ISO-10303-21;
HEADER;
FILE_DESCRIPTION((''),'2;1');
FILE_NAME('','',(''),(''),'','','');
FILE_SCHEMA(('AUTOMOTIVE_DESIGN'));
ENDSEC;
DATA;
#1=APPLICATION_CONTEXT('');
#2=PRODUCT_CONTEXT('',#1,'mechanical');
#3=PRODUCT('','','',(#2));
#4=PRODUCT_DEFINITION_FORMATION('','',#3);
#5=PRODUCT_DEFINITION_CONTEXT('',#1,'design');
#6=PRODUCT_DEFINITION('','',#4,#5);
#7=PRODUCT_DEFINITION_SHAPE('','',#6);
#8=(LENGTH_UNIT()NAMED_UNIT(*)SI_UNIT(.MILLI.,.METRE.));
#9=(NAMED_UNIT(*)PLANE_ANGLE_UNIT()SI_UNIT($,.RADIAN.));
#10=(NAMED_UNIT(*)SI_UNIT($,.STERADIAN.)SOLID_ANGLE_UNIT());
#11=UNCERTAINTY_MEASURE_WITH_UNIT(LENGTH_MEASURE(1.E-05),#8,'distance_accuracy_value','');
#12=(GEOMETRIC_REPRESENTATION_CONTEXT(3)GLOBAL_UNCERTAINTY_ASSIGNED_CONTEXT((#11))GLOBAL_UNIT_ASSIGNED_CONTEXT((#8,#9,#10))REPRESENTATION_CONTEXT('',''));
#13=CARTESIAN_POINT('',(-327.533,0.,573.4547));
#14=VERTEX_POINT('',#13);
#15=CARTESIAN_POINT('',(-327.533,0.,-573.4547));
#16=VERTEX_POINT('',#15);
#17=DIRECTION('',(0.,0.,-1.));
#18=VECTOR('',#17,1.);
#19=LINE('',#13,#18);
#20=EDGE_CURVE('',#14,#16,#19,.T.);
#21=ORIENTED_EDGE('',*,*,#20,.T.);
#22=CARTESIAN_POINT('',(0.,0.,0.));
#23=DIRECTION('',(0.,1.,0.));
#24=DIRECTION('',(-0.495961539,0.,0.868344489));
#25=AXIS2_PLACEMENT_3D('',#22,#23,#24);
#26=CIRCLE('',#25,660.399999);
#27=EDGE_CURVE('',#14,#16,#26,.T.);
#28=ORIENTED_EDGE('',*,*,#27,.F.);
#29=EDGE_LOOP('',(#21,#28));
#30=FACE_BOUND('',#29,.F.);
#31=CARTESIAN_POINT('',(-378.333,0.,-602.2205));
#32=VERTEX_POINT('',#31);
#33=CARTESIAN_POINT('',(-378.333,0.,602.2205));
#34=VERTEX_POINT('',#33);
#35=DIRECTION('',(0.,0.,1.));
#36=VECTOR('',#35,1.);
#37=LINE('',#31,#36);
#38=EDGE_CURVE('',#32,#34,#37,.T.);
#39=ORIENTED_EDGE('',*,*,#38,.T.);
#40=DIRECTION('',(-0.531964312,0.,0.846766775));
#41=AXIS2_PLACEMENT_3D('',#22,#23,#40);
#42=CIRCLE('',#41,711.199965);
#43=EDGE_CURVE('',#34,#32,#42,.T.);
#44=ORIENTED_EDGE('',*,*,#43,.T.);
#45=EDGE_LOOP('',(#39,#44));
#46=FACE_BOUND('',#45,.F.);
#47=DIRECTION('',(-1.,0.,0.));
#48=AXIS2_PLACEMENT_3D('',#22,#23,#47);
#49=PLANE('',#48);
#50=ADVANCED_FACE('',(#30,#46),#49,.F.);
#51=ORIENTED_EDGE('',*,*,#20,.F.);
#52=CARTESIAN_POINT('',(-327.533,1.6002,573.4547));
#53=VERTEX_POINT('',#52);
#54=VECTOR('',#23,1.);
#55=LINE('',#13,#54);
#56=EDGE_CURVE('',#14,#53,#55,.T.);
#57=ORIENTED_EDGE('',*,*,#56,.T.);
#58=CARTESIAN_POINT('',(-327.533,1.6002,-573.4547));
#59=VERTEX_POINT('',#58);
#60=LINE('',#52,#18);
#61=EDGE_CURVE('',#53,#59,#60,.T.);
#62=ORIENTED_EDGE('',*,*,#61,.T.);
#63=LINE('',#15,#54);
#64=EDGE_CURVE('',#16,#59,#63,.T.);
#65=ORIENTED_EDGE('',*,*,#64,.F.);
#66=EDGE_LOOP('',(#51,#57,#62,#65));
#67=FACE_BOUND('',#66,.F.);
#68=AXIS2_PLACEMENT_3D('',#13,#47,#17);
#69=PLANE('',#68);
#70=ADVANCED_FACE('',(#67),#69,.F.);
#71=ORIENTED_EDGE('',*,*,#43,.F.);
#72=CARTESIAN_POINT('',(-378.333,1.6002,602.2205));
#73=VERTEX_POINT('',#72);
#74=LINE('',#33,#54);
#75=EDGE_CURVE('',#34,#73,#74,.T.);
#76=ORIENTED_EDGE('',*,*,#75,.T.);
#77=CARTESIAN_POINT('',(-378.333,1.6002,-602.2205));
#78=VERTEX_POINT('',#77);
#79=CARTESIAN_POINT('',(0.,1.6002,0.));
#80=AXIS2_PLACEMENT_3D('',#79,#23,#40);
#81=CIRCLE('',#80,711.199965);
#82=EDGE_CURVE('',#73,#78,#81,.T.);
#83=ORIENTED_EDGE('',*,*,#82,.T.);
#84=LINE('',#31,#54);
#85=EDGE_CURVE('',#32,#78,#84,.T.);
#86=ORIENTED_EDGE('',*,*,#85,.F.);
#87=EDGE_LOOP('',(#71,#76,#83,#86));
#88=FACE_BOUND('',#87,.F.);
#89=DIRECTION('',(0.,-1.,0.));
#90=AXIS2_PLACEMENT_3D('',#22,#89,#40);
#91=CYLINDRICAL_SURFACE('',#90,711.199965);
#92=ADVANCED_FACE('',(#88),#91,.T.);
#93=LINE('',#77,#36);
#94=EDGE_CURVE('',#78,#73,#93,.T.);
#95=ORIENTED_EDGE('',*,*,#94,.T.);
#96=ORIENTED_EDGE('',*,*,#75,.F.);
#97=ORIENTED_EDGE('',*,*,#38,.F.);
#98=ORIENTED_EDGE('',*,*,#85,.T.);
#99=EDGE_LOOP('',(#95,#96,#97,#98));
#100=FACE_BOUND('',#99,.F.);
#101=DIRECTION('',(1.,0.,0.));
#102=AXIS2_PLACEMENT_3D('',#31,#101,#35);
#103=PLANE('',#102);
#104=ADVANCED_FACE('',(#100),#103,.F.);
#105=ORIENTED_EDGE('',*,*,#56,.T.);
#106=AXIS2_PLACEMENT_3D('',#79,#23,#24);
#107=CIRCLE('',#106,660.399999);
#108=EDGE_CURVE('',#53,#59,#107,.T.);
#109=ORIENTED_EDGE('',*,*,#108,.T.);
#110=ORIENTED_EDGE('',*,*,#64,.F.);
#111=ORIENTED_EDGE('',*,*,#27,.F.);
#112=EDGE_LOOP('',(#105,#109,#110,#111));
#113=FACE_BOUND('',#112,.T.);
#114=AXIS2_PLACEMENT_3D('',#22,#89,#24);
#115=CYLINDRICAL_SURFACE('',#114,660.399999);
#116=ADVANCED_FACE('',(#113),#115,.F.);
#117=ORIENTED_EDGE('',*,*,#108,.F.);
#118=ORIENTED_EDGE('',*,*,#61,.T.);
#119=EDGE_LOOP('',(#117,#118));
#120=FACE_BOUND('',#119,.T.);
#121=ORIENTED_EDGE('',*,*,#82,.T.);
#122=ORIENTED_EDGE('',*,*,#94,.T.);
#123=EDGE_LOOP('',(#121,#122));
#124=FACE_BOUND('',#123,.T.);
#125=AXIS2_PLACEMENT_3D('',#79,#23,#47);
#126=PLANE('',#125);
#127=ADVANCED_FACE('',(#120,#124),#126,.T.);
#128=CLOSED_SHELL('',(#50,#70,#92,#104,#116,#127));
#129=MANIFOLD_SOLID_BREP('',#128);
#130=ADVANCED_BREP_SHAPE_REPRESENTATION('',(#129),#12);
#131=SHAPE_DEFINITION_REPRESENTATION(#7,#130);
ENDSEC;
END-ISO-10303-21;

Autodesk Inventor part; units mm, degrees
ref_plane "YZ Plane" through (0, 0, 0) normal (1, 0, 0) x (0, 1, 0)
ref_plane "XZ Plane" through (0, 0, 0) normal (0, 1, 0) x (-1, 0, 0)
ref_plane "XY Plane" through (0, 0, 0) normal (0, 0, 1) x (1, 0, 0)
sketch "Sketch1" plane through (0, 0, 0) normal (0, 1, 0) x (-1, 0, 0)
  line L0 (378.333, -602.2205) -> (378.333, 602.2205)
  arc A0 (378.333, 602.2205) -> (378.333, -602.2205) centre (0, 0) ccw
  line L1 (327.533, 573.4547) -> (327.533, -573.4547)
  arc A1 (327.533, 573.4547) -> (327.533, -573.4547) centre (0, 0) ccw
  dimension "d3" = 50.8
extrude "Extrusion1" add sketch "Sketch1" along normal blind 1.6002
properties part number "CrowsNestTapeRed"
